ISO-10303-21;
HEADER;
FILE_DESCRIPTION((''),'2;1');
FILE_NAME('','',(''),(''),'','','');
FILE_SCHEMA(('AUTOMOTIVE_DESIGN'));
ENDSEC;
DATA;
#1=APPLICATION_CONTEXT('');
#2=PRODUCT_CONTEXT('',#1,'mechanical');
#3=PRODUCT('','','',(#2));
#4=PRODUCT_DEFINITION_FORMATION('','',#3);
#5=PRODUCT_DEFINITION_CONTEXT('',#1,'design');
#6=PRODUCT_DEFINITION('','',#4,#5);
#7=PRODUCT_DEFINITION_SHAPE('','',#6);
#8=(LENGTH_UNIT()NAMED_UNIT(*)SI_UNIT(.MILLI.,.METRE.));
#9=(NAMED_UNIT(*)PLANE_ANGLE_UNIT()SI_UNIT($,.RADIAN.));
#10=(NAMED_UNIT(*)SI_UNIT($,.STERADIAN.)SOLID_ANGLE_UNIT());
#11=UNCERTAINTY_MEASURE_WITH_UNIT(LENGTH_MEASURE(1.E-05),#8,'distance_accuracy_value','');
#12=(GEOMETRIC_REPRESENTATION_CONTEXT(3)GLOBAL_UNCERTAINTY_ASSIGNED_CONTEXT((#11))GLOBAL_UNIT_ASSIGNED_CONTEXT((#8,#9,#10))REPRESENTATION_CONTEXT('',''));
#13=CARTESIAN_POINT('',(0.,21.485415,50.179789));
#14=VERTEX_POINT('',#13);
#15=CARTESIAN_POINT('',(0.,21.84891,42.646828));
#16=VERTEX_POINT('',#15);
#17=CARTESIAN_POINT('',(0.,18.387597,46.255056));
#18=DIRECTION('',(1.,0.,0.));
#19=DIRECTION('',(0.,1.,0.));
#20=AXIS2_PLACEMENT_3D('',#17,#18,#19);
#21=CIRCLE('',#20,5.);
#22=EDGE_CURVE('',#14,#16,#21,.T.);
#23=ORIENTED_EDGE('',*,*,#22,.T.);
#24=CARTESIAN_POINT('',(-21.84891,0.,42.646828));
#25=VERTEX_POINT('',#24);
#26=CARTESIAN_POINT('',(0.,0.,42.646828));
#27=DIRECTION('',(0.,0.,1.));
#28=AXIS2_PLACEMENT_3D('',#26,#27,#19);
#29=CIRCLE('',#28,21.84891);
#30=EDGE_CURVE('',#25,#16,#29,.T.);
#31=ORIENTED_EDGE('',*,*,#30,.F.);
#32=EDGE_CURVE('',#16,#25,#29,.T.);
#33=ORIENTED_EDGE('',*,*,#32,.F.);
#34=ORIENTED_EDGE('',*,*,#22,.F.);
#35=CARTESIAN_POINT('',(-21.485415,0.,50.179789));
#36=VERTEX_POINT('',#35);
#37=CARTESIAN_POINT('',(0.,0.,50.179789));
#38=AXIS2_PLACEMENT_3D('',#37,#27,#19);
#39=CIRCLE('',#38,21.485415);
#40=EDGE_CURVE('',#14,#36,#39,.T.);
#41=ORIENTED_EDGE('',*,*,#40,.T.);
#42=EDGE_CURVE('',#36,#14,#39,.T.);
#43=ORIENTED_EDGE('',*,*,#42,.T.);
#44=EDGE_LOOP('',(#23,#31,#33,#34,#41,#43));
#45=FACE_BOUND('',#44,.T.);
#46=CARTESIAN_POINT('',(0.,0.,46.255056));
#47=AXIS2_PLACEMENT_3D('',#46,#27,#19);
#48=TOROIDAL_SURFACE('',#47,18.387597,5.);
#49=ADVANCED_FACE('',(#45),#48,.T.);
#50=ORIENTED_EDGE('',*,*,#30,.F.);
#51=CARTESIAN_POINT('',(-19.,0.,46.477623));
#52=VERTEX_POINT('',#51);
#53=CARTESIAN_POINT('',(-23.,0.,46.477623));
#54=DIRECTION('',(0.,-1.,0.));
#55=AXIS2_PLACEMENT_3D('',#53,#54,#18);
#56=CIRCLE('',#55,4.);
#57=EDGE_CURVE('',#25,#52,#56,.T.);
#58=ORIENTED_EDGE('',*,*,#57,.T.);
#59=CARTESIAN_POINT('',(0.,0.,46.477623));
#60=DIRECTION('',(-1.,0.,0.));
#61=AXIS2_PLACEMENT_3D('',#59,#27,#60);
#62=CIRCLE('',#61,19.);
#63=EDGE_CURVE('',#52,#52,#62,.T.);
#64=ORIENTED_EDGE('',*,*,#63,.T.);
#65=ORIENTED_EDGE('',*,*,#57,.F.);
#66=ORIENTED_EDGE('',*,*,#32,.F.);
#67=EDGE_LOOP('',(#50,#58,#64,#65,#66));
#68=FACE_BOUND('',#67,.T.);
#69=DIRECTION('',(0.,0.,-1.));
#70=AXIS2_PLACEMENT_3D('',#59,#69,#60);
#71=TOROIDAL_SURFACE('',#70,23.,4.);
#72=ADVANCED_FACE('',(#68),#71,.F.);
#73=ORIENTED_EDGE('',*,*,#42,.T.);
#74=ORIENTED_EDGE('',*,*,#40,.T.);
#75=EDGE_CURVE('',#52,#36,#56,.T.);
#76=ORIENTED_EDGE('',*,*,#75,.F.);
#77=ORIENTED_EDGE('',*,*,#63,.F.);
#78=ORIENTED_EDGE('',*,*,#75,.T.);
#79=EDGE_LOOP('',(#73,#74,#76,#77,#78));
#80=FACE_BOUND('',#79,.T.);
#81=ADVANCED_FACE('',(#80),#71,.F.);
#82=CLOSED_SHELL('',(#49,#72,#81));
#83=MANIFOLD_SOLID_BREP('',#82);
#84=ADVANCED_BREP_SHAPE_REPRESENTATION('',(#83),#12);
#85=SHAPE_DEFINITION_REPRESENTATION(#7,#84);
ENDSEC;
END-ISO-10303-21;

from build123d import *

# Parameters (mm, degrees)
F1_R = 5
F3_R = 4


with BuildPart() as f2:
    # F1 (on Right) → F2 (revolve)
    with BuildSketch(Plane.YZ):
        with Locations((18.387597, 46.255056)):
            Circle(F1_R)
    revolve(axis=Axis((0, 0, 63.5), (0, 0, 1)))

    # F3 (on Front) → F4 (revolve, cut)
    with BuildSketch(Plane.XZ):
        with Locations((-23, 46.477623)):
            Circle(F3_R)
    revolve(axis=Axis((0, 0, 63.5), (0, 0, 1)), mode=Mode.SUBTRACT)


solid = f2.part
